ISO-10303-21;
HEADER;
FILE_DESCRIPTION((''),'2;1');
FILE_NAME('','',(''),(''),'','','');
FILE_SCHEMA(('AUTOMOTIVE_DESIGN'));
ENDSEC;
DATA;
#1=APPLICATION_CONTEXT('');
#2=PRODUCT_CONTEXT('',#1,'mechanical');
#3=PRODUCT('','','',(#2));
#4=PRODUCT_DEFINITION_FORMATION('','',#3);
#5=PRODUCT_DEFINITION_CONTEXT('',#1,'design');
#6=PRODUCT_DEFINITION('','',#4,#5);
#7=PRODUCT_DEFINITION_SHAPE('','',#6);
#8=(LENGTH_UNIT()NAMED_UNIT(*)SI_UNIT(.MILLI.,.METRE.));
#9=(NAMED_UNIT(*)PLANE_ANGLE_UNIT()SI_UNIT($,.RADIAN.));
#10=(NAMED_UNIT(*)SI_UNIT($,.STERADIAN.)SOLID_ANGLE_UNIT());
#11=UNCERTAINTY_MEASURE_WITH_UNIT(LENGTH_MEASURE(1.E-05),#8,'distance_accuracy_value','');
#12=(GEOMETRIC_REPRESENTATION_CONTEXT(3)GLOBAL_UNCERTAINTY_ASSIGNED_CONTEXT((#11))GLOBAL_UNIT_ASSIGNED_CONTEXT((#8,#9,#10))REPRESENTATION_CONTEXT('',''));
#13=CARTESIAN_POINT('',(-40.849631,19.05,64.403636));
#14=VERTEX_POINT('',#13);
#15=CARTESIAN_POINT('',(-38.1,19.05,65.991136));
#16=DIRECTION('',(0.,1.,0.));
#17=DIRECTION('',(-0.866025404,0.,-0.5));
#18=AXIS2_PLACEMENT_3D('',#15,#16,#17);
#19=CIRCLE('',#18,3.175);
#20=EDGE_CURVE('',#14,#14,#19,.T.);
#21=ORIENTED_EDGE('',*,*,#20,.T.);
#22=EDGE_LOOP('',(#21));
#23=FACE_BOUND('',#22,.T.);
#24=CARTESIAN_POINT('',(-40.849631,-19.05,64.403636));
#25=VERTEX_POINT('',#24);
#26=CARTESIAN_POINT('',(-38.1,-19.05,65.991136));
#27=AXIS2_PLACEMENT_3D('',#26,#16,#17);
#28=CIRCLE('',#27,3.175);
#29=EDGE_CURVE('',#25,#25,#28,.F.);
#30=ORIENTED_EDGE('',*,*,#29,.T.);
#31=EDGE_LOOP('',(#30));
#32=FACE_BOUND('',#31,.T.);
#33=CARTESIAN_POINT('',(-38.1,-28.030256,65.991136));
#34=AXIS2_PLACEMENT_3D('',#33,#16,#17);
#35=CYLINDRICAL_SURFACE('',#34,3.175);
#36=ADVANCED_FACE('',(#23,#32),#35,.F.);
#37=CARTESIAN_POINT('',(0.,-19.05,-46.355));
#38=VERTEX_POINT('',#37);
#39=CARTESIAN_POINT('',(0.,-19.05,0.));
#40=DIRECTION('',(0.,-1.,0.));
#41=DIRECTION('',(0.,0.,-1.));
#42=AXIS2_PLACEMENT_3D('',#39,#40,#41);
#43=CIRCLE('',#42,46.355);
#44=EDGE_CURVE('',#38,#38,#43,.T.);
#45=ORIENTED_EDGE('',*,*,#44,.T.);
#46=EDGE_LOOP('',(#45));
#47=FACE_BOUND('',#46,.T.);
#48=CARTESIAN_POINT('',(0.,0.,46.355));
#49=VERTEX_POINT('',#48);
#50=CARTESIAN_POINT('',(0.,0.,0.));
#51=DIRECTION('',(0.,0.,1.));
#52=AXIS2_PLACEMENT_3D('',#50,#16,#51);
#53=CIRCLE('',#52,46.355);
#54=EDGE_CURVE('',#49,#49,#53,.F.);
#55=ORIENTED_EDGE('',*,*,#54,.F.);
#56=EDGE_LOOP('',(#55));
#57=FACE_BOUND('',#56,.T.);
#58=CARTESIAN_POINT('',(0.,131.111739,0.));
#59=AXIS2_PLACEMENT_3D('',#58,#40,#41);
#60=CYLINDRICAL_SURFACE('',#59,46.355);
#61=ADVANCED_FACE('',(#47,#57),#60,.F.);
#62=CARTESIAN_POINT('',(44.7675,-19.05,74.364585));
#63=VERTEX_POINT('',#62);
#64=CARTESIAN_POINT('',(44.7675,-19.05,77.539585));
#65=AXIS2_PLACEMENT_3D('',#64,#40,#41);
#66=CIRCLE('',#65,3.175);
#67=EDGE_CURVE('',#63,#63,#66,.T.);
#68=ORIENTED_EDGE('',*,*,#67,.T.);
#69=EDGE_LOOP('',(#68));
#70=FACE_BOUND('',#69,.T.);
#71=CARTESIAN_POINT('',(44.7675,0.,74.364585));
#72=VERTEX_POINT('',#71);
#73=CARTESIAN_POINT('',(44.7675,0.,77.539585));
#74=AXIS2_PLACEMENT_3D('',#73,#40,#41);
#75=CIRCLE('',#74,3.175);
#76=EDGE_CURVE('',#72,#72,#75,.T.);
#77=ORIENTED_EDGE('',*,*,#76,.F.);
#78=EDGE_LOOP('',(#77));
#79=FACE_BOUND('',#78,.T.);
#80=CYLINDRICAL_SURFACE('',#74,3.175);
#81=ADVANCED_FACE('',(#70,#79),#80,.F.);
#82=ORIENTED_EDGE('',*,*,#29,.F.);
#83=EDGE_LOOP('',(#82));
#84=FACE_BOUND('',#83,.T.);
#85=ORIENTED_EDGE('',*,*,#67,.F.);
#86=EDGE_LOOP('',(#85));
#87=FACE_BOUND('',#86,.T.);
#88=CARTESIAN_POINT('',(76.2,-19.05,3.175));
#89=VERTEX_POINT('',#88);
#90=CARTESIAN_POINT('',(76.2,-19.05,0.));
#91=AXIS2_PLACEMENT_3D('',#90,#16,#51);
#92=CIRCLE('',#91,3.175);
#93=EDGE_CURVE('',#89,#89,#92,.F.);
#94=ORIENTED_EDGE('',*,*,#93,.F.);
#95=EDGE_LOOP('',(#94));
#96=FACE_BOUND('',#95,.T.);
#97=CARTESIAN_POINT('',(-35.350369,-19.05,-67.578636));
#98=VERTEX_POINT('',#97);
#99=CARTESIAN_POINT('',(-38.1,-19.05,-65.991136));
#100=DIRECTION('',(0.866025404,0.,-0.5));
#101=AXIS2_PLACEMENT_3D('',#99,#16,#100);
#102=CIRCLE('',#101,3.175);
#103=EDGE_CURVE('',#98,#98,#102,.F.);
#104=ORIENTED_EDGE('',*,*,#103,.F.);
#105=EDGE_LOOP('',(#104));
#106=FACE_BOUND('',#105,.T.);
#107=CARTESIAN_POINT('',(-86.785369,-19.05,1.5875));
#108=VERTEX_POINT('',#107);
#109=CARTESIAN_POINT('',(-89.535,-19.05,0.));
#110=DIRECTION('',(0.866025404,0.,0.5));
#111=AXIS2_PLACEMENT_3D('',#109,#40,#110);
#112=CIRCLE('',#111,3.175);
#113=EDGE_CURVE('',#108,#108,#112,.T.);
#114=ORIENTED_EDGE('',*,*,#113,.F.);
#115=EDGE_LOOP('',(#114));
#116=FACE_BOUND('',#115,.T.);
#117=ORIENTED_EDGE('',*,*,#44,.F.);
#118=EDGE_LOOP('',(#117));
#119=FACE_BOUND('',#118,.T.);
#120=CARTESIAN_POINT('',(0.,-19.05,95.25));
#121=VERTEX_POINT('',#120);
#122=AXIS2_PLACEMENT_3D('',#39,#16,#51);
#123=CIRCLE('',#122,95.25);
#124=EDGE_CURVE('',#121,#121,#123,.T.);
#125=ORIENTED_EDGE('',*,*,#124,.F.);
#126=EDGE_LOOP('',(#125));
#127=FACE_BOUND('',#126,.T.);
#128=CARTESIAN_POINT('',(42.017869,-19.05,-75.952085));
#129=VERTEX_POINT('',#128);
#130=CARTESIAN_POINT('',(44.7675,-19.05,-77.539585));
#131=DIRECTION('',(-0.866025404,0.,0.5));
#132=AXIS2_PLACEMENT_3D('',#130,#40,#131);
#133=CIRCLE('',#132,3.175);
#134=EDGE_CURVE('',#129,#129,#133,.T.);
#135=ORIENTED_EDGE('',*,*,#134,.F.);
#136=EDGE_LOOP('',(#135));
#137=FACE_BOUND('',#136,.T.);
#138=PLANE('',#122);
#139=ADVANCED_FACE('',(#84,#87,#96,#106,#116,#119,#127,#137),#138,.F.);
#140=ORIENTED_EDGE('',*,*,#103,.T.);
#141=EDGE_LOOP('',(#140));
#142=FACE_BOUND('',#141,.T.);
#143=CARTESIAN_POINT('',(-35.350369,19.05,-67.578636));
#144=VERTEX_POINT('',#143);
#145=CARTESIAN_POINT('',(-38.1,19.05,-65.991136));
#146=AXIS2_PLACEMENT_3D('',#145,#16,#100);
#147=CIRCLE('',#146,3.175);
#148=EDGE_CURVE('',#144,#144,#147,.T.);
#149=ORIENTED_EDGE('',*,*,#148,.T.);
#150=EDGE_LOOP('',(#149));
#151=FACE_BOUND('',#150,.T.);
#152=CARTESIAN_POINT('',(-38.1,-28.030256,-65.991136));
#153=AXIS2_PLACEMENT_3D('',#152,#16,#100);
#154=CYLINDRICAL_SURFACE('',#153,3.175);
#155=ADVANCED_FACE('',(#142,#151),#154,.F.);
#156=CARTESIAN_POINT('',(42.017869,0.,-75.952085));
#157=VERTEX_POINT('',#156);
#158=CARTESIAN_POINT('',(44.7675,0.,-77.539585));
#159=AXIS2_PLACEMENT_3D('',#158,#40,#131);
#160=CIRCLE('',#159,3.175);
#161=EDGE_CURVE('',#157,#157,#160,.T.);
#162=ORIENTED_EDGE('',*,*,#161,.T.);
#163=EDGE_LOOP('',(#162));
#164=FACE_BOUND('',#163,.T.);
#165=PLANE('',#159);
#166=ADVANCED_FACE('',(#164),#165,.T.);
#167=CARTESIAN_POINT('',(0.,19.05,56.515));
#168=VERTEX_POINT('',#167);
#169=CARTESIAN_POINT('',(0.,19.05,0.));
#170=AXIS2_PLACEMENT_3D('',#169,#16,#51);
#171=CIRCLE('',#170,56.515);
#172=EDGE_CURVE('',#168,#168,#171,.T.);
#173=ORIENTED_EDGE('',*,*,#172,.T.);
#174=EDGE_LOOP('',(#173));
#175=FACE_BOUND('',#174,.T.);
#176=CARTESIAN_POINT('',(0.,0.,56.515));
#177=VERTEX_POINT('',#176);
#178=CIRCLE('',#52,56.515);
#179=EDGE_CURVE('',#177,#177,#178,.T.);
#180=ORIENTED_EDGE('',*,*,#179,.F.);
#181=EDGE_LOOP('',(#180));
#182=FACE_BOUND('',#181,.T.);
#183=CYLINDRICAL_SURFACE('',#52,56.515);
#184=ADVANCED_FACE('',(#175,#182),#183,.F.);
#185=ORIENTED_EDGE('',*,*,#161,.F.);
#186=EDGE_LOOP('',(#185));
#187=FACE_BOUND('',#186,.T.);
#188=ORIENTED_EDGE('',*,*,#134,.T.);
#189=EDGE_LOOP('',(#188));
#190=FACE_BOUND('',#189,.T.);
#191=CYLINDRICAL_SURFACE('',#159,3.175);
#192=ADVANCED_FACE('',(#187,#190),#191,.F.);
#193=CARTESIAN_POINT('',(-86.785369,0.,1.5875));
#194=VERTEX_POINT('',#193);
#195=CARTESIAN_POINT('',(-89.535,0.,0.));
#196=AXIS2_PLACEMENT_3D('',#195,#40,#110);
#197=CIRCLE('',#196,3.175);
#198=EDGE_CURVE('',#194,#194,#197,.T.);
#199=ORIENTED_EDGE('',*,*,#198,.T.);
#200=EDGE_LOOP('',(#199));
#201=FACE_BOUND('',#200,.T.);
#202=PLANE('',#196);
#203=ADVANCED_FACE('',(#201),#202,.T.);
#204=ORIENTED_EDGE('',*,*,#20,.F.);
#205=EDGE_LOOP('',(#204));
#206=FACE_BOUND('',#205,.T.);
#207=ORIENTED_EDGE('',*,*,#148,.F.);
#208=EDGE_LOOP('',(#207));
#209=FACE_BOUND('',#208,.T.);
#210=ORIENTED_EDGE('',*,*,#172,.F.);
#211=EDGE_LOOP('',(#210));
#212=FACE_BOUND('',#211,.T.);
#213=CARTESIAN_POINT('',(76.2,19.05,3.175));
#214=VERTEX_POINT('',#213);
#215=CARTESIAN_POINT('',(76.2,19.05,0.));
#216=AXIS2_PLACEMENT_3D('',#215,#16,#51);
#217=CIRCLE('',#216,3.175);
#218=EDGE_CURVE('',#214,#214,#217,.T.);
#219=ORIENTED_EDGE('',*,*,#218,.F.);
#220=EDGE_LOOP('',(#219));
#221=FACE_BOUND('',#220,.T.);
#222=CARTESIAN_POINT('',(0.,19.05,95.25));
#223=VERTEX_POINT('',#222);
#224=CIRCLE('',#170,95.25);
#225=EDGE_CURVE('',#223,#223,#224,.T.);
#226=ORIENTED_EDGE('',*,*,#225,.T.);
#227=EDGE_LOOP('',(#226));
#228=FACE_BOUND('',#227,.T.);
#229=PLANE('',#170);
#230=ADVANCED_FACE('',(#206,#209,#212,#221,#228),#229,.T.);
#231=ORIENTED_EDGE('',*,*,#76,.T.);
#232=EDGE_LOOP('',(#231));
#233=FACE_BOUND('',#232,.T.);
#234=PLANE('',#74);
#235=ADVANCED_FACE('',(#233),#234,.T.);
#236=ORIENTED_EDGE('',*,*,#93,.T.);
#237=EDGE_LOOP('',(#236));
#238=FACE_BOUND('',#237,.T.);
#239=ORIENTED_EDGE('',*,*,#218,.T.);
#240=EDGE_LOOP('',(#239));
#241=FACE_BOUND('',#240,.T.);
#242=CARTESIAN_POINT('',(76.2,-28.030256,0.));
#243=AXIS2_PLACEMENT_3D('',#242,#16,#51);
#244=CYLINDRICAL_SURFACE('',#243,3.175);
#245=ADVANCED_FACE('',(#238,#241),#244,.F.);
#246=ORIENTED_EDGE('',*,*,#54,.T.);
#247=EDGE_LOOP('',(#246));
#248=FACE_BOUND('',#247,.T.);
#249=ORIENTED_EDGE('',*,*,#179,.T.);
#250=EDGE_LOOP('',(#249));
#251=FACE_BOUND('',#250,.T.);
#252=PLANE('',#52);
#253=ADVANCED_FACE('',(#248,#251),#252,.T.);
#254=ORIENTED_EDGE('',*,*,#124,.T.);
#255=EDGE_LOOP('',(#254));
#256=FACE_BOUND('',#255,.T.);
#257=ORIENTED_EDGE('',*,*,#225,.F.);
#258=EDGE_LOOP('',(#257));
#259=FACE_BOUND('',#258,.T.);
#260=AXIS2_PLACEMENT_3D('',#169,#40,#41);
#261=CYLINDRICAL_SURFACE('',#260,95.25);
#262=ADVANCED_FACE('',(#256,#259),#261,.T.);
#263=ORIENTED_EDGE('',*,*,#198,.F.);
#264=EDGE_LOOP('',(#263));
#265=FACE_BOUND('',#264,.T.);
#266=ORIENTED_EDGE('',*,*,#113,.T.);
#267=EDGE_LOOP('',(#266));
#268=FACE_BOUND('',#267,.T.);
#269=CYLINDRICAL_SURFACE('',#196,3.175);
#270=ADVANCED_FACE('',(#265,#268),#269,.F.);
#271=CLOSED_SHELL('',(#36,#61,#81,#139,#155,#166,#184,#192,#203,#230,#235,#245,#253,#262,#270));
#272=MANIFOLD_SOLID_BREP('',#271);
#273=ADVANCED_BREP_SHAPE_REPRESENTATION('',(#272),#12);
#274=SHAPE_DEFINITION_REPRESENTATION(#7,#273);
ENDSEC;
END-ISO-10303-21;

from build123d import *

# Parameters (mm, degrees)
SKETCH1_R           = 95.25
BOSS_EXTRUDE1_DEPTH = 19.05
SKETCH2_R           = 56.515
CUT_EXTRUDE1_DEPTH  = 19.05
SKETCH3_R           = 46.355
CUT_EXTRUDE2_DEPTH  = 19.05
SKETCH5_R           = 3.175
CUT_EXTRUDE3_DEPTH  = 38.1
CIRPATTERN1_COUNT   = 3
SKETCH6_R           = 3.175
CUT_EXTRUDE4_DEPTH  = 19.05
CIRPATTERN2_COUNT   = 3


with BuildPart() as part:
    # Sketch1 → Boss-Extrude1 (new body, symmetric)
    with BuildSketch(Plane(origin=(0, 0, 0), x_dir=(1, 0, 0), z_dir=(0, 1, 0))):
        Circle(SKETCH1_R)
    extrude(amount=BOSS_EXTRUDE1_DEPTH, both=True)

    # Sketch2 → Cut-Extrude1 (cut)
    with BuildSketch(Plane(origin=(0, 19.05, 0), x_dir=(-1, 0, 0), z_dir=(0, 1, 0))):
        Circle(SKETCH2_R)
    extrude(amount=-CUT_EXTRUDE1_DEPTH, mode=Mode.SUBTRACT)

    # Sketch3 → Cut-Extrude2 (cut)
    with BuildSketch(Plane.XZ.offset(19.05)):
        Circle(SKETCH3_R)
    extrude(amount=-CUT_EXTRUDE2_DEPTH, mode=Mode.SUBTRACT)

    # Sketch5 → Cut-Extrude3 (cut)
    with BuildSketch(Plane(origin=(0, 19.05, 0), x_dir=(-1, 0, 0), z_dir=(0, 1, 0))):
        with Locations((-76.2, 0)):
            Circle(SKETCH5_R)
    cut_extrude3 = extrude(amount=-CUT_EXTRUDE3_DEPTH, mode=Mode.SUBTRACT)

    # CirPattern1: Cut-Extrude3 ×3 about axis
    cirpattern1_axis = Axis((0, 0, 0), (0, 1, 0))
    for i in range(1, CIRPATTERN1_COUNT):
        add(cut_extrude3.rotate(cirpattern1_axis, i * 360 / CIRPATTERN1_COUNT), mode=Mode.SUBTRACT)

    # Sketch6 → Cut-Extrude4 (cut)
    with BuildSketch(Plane.XZ.offset(19.05)):
        with Locations((44.7675, 77.539584528)):
            Circle(SKETCH6_R)
    cut_extrude4 = extrude(amount=-CUT_EXTRUDE4_DEPTH, mode=Mode.SUBTRACT)

    # CirPattern2: Cut-Extrude4 ×3 about axis
    cirpattern2_axis = Axis((0, 0, 0), (0, 1, 0))
    for i in range(1, CIRPATTERN2_COUNT):
        add(cut_extrude4.rotate(cirpattern2_axis, i * 360 / CIRPATTERN2_COUNT), mode=Mode.SUBTRACT)


solid = part.part
